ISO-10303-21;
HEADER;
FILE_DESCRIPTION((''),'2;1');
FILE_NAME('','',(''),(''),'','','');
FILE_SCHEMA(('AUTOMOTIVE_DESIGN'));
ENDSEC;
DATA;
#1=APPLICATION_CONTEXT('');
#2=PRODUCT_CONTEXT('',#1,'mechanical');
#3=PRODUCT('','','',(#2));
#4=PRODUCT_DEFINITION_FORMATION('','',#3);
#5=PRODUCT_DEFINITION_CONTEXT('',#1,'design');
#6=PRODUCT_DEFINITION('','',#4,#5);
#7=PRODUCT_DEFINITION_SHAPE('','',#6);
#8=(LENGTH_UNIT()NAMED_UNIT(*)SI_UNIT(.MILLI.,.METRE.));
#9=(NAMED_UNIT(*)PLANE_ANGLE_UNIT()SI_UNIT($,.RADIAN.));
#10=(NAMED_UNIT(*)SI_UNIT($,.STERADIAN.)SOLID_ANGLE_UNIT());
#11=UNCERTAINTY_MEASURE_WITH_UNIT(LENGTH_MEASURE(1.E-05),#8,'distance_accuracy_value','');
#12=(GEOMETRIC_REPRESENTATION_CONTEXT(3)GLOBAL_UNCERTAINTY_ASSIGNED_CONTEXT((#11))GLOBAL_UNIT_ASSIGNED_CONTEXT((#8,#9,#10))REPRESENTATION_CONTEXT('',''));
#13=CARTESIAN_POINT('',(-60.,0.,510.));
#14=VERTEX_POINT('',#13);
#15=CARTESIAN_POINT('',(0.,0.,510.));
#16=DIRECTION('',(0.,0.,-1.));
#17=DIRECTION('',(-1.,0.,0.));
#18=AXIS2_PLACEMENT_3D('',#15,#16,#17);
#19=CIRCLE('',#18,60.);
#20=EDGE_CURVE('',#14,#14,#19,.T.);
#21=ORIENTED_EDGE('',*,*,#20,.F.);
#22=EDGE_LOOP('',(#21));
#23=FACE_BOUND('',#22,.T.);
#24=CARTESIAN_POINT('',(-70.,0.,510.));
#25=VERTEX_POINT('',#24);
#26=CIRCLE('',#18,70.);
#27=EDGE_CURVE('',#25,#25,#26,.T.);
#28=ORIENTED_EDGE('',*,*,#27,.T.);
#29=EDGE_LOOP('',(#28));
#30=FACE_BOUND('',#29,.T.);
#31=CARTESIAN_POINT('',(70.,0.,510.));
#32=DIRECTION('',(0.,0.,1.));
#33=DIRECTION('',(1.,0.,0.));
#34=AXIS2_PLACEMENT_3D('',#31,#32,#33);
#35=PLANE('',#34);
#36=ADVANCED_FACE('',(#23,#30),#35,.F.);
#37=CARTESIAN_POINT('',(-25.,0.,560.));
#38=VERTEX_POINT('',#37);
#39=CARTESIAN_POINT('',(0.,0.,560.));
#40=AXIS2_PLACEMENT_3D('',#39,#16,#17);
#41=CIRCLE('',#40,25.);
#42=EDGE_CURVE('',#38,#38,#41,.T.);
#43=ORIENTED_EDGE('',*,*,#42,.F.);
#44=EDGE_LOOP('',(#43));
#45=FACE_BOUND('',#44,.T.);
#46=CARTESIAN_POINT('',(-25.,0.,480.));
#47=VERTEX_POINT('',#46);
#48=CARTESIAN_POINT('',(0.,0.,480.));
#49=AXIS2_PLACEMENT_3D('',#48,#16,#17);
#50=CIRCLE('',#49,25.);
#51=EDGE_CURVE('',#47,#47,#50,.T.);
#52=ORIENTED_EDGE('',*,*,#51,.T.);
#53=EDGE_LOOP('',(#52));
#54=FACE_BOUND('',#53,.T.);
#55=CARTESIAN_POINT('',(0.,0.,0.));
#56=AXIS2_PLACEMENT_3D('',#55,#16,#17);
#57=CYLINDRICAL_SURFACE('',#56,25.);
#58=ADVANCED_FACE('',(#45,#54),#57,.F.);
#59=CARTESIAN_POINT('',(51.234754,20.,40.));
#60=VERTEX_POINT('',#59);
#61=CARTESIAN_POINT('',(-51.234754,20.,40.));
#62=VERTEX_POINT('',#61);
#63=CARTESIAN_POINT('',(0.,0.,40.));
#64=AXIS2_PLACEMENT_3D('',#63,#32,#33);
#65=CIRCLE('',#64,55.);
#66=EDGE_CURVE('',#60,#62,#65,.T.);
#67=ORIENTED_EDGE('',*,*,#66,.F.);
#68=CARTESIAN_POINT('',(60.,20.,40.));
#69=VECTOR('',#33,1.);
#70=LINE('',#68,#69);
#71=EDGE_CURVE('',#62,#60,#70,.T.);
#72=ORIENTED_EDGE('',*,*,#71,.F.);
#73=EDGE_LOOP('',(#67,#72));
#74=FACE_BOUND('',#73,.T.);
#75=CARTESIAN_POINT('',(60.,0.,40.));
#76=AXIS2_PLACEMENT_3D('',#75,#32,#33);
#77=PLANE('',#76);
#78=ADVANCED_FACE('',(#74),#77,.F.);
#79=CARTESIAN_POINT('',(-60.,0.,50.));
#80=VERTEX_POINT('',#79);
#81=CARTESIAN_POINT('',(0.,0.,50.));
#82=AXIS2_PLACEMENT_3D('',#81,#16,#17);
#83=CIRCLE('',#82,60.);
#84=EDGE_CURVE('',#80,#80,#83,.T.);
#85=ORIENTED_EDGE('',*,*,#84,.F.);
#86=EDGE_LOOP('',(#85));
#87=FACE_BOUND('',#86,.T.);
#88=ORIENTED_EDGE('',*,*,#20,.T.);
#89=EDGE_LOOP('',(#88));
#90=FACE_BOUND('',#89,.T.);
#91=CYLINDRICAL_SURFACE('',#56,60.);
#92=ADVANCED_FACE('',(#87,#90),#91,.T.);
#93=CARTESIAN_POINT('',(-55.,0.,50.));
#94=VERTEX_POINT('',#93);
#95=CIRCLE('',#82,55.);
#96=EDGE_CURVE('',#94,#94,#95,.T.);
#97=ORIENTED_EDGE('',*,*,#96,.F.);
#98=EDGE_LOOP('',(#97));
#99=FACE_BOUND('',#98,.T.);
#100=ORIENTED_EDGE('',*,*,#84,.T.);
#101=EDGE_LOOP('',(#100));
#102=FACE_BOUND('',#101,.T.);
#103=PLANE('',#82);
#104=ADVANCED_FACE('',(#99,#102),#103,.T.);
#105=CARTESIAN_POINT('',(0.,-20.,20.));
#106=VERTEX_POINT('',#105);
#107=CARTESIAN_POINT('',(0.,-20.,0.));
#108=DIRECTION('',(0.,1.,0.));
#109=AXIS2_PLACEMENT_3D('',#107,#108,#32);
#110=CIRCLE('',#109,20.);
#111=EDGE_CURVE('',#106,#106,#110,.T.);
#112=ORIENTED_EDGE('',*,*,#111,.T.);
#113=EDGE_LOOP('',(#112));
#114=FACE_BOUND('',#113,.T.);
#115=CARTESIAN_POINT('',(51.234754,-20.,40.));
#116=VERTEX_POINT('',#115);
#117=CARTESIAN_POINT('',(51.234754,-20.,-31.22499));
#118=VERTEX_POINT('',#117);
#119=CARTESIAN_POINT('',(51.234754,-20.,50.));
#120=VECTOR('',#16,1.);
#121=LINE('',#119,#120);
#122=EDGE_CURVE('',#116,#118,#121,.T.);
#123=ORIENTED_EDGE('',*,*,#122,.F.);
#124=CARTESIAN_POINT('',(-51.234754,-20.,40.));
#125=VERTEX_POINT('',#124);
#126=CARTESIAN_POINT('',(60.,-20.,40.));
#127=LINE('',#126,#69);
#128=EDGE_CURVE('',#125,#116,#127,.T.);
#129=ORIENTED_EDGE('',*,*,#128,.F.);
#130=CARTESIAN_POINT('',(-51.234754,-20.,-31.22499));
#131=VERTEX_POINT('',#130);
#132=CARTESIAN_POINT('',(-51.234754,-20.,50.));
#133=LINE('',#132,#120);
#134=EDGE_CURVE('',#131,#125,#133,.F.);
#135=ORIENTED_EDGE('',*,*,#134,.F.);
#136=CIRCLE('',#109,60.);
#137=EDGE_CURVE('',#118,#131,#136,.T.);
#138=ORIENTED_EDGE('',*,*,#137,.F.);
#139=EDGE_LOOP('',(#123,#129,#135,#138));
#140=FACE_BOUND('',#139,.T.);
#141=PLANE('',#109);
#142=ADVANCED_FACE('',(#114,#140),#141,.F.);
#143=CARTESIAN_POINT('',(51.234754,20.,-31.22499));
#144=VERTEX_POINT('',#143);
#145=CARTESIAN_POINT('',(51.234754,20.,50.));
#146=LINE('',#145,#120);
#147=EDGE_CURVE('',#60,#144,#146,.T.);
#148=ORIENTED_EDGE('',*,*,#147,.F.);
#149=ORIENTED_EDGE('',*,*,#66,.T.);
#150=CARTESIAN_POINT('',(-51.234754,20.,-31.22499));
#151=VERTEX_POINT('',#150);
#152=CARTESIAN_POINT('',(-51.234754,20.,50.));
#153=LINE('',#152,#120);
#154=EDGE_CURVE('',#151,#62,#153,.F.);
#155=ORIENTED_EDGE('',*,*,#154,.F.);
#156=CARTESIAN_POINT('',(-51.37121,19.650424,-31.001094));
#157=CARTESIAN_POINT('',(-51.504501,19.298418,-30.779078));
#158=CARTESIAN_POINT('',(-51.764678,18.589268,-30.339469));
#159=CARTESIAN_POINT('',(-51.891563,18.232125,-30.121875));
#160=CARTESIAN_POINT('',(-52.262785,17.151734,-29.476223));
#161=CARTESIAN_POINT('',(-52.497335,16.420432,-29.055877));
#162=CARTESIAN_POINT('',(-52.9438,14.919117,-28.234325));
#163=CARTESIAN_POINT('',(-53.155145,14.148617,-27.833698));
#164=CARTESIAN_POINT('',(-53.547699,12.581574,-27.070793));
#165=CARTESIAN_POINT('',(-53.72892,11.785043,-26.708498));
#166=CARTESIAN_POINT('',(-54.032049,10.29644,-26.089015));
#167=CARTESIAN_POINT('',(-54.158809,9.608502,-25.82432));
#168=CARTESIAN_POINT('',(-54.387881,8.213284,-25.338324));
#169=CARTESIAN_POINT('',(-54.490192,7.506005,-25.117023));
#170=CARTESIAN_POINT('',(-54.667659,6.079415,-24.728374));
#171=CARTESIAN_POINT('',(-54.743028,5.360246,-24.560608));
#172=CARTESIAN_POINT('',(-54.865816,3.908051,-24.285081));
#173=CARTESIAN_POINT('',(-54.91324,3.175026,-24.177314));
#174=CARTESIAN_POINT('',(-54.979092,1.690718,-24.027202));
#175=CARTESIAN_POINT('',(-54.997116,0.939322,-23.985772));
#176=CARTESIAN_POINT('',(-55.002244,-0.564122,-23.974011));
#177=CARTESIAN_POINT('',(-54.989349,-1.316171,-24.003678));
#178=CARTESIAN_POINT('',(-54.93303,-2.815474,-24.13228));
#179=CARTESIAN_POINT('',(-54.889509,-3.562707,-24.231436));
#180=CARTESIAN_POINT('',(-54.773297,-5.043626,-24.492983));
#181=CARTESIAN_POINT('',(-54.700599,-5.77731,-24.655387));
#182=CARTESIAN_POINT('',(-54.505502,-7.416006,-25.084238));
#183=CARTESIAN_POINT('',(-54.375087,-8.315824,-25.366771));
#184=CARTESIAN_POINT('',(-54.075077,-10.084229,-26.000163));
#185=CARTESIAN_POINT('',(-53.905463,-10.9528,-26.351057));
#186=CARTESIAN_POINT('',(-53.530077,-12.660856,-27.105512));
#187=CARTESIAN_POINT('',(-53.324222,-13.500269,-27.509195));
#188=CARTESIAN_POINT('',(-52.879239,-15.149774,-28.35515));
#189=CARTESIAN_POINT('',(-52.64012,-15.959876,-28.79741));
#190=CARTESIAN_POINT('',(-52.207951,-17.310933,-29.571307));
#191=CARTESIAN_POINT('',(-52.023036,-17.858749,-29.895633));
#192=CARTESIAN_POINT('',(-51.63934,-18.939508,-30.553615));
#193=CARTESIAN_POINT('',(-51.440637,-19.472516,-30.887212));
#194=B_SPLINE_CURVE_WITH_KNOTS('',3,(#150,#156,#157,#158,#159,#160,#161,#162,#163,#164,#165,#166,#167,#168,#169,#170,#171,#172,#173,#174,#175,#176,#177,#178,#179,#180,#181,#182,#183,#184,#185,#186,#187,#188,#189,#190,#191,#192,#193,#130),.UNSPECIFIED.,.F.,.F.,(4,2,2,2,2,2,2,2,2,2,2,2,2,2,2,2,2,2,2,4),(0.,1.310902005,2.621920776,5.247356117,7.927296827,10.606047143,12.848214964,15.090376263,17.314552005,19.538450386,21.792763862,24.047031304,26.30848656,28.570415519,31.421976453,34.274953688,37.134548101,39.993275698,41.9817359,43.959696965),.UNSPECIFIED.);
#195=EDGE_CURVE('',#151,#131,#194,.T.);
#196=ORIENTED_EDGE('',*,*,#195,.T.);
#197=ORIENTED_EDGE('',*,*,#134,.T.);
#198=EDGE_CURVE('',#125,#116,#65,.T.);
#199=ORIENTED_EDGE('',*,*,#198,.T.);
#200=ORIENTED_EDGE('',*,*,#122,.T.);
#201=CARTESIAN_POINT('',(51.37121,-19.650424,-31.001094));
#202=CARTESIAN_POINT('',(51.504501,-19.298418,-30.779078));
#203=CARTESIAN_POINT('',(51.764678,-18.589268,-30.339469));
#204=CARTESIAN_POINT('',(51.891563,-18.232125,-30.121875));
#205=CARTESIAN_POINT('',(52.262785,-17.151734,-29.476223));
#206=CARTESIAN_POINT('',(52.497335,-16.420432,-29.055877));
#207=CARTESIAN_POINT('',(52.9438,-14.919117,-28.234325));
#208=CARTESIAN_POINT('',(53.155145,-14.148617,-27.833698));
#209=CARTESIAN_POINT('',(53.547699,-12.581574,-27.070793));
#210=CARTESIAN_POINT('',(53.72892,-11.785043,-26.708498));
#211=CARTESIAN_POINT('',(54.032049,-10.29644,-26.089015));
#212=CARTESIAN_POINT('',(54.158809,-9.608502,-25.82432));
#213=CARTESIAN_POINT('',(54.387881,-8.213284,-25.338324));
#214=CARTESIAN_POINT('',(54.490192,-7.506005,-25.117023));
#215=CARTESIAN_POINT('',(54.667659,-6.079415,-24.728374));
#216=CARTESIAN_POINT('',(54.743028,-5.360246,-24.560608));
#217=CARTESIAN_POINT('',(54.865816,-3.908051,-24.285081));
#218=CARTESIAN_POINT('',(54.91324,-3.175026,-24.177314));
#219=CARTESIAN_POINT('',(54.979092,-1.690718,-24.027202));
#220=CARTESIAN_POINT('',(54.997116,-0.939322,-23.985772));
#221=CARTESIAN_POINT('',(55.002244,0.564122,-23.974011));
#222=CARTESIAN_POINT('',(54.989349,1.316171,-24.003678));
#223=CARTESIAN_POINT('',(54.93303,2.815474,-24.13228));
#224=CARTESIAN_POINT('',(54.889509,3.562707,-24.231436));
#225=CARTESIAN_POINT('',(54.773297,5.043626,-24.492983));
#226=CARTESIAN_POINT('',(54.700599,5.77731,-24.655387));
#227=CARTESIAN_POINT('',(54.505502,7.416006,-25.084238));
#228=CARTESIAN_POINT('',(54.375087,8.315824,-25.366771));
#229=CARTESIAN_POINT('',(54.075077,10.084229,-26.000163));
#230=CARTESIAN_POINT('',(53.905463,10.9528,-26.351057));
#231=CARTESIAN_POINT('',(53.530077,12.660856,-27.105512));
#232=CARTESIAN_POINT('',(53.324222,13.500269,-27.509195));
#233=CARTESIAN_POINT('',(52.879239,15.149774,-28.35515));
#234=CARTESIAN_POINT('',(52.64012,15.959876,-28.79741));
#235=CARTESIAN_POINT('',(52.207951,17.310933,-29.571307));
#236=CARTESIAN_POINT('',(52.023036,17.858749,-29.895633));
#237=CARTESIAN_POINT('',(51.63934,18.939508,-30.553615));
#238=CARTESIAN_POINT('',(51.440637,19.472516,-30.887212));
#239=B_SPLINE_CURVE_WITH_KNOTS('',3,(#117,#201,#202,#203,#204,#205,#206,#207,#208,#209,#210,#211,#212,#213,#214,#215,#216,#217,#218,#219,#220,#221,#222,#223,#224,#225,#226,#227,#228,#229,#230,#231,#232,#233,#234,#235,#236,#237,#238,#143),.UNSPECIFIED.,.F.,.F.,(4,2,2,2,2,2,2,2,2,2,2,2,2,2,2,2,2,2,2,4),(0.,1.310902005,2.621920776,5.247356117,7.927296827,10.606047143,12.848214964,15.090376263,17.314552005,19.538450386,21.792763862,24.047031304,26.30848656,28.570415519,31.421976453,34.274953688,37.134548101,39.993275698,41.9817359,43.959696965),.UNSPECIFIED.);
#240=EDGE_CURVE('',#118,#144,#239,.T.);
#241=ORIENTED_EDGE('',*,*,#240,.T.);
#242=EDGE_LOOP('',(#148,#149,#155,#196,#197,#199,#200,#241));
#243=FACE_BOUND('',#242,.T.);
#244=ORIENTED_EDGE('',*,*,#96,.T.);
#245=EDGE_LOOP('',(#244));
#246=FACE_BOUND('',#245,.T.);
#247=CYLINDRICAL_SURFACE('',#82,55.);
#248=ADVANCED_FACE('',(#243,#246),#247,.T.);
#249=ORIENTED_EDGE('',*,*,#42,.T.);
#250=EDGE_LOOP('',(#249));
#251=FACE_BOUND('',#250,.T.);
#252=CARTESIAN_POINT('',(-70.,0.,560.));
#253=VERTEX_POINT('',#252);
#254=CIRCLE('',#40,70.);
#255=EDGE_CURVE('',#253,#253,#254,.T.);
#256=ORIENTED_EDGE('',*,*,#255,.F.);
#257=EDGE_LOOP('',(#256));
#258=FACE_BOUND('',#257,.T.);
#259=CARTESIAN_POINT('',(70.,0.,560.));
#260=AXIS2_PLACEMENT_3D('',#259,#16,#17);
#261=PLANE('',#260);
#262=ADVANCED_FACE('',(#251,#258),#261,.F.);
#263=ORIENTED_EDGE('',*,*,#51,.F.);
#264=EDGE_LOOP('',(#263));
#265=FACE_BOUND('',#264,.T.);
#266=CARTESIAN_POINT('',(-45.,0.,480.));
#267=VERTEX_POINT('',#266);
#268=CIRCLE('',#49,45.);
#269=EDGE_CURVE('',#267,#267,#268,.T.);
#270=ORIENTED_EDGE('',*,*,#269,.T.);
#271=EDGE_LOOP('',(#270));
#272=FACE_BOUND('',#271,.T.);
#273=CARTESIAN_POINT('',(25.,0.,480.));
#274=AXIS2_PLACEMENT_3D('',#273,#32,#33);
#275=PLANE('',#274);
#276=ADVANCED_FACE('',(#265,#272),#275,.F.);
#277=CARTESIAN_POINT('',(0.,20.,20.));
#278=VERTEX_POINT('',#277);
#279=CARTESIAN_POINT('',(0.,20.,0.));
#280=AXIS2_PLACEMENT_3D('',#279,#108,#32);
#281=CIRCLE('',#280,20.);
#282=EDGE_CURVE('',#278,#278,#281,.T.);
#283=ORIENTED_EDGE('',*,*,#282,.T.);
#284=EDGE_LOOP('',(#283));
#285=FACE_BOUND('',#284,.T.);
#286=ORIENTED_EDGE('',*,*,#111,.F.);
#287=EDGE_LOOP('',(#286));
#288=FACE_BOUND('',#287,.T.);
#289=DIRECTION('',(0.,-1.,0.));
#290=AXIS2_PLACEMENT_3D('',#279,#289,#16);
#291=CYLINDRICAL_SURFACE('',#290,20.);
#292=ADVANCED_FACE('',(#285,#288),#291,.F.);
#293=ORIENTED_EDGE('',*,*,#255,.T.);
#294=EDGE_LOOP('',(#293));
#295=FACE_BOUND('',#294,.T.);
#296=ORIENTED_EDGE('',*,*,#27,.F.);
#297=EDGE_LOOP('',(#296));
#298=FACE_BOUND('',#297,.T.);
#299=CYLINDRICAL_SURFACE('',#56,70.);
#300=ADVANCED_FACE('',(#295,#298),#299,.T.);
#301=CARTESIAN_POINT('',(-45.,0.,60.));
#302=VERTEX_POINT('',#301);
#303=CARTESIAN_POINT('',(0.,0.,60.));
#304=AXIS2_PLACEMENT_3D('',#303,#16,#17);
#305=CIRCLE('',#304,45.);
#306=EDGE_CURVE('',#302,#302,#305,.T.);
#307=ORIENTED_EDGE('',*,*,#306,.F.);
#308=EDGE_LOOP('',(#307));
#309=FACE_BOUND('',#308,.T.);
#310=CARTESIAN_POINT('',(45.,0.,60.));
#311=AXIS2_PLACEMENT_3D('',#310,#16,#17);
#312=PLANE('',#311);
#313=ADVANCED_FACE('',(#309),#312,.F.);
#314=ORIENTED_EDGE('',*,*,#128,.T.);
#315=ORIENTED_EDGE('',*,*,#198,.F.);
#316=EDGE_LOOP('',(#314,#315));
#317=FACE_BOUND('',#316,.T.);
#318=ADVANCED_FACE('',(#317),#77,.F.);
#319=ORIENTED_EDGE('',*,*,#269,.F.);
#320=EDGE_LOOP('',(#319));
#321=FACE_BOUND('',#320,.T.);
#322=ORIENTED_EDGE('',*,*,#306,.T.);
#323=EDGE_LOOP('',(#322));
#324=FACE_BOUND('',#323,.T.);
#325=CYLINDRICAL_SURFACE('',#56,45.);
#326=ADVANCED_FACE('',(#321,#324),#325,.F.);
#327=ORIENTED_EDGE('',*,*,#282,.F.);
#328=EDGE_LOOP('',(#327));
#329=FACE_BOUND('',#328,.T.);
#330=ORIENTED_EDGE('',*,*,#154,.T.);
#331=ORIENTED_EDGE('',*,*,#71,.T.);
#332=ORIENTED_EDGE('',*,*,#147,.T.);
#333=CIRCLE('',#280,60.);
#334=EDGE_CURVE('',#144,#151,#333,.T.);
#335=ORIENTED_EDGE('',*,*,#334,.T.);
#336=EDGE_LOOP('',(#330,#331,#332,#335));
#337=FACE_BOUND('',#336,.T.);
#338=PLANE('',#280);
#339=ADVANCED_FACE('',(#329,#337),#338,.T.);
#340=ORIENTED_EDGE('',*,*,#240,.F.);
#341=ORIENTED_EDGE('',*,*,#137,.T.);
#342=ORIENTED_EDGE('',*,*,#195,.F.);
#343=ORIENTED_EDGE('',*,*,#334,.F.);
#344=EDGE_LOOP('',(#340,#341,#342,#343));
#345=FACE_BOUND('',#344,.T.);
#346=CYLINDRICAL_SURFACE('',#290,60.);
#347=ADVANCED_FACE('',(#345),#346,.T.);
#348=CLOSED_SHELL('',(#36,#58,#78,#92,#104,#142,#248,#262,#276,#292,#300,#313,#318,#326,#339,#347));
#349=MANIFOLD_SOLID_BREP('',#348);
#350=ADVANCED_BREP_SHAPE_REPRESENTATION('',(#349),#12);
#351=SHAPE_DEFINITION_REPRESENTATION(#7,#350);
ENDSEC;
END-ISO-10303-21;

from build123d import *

# Parameters (mm, degrees)
SKETCH2_R               = 20
BOSS_EXTRUDE1_DEPTH     = 20
SKETCH3_R               = 63.245553203
SKETCH3_R_2             = 55
CUT_EXTRUDE1_DEPTH      = 101
CUT_EXTRUDE1_DEPTH_BACK = 10


with BuildPart() as part:
    # Sketch1 → Revolve1 (revolve)
    with BuildSketch(Plane(origin=(0, 0, 0), x_dir=(1, 0, 0), z_dir=(0, 1, 0))):
        Polygon((70, -560), (70, -510), (60, -510), (60, -40), (0, -40), (0, -60), (45, -60), (45, -480), (25, -480), (25, -560), align=None)
    revolve(axis=Axis((0, 0, 0), (0, 0, 1)))

    # Sketch2 → Boss-Extrude1 (add, symmetric)
    with BuildSketch(Plane(origin=(0, 0, 0), x_dir=(1, 0, 0), z_dir=(0, 1, 0))):
        with BuildLine():
            Line((60, -40), (60, 0))
            ThreePointArc((60, 0), (0, 60), (-60, 0))
            Line((-60, 0), (-60, -40))
            Line((-60, -40), (60, -40))
        make_face()
        Circle(SKETCH2_R, mode=Mode.SUBTRACT)
    extrude(amount=BOSS_EXTRUDE1_DEPTH, both=True)

    # Sketch3 → Cut-Extrude1 (cut, two sides)
    with BuildSketch(Plane(origin=(0, 0, 40), x_dir=(-1, 0, 0), z_dir=(0, 0, -1))) as cut_extrude1_sk:
        Circle(SKETCH3_R)
        Circle(SKETCH3_R_2, mode=Mode.SUBTRACT)
    extrude(amount=CUT_EXTRUDE1_DEPTH, mode=Mode.SUBTRACT)
    extrude(cut_extrude1_sk.sketch, amount=-CUT_EXTRUDE1_DEPTH_BACK, mode=Mode.SUBTRACT)


solid = part.part
